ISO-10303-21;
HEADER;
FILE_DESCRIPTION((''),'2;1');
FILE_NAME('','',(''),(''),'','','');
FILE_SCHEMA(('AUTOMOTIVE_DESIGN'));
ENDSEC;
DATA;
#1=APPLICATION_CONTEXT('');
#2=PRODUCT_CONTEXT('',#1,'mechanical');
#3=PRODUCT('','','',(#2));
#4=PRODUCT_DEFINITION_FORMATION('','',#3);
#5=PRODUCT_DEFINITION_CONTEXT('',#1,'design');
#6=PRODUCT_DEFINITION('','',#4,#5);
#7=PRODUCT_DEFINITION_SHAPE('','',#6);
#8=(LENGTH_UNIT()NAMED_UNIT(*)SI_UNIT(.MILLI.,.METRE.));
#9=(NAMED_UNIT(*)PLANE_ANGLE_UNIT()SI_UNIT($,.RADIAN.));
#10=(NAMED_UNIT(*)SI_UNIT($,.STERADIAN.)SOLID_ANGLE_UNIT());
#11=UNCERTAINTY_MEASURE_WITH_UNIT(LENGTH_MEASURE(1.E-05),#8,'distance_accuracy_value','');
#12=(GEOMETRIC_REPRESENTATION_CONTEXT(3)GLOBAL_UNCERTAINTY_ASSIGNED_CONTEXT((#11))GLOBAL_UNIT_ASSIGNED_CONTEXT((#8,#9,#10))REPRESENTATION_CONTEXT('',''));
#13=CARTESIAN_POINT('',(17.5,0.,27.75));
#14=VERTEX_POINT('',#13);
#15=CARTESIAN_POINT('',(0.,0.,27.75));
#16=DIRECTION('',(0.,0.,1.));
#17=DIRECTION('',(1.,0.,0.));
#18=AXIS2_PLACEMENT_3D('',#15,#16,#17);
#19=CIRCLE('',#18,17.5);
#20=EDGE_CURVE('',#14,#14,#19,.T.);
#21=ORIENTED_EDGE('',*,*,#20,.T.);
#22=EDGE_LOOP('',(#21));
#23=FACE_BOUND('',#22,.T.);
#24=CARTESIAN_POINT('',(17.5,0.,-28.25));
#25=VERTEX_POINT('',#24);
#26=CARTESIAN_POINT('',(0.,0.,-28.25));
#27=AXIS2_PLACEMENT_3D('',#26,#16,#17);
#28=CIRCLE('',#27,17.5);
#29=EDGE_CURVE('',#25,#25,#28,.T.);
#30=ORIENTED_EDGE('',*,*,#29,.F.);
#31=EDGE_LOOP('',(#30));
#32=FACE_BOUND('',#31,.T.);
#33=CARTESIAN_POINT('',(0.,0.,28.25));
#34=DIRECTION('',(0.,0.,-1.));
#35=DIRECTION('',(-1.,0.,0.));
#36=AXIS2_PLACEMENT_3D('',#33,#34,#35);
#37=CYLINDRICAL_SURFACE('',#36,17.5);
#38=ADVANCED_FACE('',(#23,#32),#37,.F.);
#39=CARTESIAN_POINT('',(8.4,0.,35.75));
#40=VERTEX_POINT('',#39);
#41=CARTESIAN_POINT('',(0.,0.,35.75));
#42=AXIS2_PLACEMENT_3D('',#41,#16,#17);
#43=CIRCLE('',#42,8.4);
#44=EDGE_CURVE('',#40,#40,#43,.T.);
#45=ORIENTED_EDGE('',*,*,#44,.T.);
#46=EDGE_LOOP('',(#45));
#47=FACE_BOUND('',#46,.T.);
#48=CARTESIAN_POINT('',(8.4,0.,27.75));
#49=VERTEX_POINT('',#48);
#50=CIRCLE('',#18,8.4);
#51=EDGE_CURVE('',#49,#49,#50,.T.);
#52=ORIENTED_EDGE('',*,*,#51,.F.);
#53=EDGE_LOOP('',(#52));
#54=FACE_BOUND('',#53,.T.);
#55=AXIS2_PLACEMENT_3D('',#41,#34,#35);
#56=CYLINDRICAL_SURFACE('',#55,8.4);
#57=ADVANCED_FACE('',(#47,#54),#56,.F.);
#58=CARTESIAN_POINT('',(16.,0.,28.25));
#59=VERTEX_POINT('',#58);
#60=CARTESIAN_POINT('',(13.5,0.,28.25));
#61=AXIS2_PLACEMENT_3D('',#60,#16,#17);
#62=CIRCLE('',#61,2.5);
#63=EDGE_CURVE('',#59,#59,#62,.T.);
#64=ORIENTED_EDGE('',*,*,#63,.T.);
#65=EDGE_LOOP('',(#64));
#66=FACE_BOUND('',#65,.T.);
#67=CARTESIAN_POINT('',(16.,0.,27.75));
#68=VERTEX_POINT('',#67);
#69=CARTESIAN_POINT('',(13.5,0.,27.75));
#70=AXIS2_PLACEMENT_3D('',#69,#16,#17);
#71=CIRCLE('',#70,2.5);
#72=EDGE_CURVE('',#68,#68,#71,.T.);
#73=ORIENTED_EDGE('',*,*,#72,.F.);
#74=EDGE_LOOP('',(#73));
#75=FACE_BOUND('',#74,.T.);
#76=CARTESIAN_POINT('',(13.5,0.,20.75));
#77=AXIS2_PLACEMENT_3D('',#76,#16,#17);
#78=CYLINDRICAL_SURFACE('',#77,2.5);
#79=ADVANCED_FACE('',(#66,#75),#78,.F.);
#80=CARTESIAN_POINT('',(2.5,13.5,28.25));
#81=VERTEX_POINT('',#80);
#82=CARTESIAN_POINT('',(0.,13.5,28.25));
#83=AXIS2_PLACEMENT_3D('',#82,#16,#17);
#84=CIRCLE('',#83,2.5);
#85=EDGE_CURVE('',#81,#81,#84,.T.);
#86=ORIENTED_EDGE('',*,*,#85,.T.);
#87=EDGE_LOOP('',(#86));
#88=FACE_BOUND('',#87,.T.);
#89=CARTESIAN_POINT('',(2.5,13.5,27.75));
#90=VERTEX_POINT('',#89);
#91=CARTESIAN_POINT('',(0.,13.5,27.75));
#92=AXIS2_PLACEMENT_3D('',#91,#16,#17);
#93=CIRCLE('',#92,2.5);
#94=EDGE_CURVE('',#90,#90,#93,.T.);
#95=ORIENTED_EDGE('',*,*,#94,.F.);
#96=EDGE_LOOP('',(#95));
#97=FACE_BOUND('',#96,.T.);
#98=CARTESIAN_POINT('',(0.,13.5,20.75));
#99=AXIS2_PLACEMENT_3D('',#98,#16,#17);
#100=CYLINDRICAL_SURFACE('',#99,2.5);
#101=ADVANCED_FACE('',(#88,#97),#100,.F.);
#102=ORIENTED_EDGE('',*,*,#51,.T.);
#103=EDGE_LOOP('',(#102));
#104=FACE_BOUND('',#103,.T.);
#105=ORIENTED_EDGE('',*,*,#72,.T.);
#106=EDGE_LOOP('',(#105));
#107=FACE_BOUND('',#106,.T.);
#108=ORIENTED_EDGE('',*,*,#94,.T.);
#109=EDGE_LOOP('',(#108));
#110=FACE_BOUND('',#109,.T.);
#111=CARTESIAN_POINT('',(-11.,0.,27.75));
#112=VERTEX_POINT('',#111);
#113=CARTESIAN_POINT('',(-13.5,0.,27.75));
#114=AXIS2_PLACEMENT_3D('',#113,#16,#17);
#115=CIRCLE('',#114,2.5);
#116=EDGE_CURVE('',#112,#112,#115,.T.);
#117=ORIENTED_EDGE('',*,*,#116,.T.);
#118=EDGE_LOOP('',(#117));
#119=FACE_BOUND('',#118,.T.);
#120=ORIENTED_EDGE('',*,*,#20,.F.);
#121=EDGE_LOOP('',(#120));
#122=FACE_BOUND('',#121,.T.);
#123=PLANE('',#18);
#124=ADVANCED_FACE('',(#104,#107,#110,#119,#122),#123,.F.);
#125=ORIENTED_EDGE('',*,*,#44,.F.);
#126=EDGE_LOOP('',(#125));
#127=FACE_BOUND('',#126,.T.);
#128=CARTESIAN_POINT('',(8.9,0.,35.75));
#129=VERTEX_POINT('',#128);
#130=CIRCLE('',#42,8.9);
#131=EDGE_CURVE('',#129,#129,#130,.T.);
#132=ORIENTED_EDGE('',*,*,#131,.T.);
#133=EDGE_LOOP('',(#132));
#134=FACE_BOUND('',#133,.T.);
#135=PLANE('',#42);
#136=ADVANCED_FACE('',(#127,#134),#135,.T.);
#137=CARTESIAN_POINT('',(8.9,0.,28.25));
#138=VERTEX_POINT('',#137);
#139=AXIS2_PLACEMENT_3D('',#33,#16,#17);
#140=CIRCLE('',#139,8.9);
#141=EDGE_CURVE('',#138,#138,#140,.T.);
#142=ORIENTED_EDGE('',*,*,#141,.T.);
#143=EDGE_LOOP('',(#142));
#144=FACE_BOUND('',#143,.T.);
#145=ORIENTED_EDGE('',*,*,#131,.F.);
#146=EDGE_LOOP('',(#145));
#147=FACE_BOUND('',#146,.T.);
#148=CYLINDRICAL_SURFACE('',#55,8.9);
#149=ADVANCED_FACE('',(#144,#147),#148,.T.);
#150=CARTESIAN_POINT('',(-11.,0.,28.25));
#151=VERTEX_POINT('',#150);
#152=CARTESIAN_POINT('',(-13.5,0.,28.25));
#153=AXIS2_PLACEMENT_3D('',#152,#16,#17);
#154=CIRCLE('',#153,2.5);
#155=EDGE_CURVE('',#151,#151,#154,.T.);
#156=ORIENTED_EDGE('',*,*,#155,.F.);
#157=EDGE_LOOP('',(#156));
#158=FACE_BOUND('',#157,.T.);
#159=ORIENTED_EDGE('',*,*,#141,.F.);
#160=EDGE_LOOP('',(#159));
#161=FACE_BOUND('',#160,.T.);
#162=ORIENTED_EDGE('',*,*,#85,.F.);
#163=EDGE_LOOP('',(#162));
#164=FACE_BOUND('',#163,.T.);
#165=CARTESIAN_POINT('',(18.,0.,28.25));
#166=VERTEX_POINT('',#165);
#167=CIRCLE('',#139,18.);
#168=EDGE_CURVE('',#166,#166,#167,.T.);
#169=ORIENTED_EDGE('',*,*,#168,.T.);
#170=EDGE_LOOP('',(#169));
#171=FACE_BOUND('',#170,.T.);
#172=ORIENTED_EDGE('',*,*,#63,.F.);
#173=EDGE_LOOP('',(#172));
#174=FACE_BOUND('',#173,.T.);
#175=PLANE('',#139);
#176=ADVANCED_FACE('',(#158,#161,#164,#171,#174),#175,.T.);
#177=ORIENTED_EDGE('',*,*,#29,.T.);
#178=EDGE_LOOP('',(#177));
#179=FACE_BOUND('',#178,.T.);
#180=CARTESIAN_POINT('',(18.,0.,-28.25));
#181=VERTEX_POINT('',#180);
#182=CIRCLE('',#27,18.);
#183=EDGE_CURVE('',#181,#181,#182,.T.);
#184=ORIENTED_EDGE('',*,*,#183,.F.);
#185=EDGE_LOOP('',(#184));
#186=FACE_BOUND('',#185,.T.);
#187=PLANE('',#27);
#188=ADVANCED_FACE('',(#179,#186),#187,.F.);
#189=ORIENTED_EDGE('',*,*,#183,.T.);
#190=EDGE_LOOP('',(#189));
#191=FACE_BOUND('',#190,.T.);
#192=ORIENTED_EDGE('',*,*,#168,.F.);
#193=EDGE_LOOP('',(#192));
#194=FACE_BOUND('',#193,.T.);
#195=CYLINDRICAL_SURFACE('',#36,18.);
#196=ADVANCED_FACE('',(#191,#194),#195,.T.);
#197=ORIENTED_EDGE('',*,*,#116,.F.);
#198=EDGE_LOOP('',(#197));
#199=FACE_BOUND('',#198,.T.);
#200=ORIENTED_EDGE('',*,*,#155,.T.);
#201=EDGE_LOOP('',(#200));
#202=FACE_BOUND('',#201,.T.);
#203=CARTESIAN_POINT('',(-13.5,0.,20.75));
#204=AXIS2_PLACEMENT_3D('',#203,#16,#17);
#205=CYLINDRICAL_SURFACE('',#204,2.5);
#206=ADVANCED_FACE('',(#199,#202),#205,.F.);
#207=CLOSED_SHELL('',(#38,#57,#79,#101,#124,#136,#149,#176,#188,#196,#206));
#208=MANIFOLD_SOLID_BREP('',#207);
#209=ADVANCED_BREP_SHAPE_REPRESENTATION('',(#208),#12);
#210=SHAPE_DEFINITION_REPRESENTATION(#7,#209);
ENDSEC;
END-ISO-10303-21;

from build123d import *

# Parameters (mm, degrees)
SKETCH1_R           = 18
BOSS_EXTRUDE1_DEPTH = 28.25
SKETCH2_R           = 8.9
BOSS_EXTRUDE2_DEPTH = 7.5
SHELL1_T            = -0.5
SKETCH4_R           = 2.5
CUT_EXTRUDE1_DEPTH  = 7.5


with BuildPart() as part:
    # Sketch1 → Boss-Extrude1 (new, symmetric)
    with BuildSketch(Plane.XY):
        Circle(SKETCH1_R)
    extrude(amount=BOSS_EXTRUDE1_DEPTH, both=True)

    # Sketch2 → Boss-Extrude2 (add)
    with BuildSketch(Plane.XY.offset(28.25)):
        Circle(SKETCH2_R)
    extrude(amount=BOSS_EXTRUDE2_DEPTH)

    # Shell1
    shell1_openings = [part.faces().sort_by_distance(p)[0] for p in [
        (0, 0, -28.25),
        (0, 0, 35.75),
    ]]
    offset(amount=SHELL1_T, openings=shell1_openings, kind=Kind.INTERSECTION)

    # Sketch4 → Cut-Extrude1 (cut)
    with BuildSketch(Plane.XY.offset(28.25)):
        with Locations((-13.5, 0)):
            Circle(SKETCH4_R)
        with Locations((0, 13.5)):
            Circle(SKETCH4_R)
        with Locations((13.5, 0)):
            Circle(SKETCH4_R)
    extrude(amount=-CUT_EXTRUDE1_DEPTH, mode=Mode.SUBTRACT)


solid = part.part
